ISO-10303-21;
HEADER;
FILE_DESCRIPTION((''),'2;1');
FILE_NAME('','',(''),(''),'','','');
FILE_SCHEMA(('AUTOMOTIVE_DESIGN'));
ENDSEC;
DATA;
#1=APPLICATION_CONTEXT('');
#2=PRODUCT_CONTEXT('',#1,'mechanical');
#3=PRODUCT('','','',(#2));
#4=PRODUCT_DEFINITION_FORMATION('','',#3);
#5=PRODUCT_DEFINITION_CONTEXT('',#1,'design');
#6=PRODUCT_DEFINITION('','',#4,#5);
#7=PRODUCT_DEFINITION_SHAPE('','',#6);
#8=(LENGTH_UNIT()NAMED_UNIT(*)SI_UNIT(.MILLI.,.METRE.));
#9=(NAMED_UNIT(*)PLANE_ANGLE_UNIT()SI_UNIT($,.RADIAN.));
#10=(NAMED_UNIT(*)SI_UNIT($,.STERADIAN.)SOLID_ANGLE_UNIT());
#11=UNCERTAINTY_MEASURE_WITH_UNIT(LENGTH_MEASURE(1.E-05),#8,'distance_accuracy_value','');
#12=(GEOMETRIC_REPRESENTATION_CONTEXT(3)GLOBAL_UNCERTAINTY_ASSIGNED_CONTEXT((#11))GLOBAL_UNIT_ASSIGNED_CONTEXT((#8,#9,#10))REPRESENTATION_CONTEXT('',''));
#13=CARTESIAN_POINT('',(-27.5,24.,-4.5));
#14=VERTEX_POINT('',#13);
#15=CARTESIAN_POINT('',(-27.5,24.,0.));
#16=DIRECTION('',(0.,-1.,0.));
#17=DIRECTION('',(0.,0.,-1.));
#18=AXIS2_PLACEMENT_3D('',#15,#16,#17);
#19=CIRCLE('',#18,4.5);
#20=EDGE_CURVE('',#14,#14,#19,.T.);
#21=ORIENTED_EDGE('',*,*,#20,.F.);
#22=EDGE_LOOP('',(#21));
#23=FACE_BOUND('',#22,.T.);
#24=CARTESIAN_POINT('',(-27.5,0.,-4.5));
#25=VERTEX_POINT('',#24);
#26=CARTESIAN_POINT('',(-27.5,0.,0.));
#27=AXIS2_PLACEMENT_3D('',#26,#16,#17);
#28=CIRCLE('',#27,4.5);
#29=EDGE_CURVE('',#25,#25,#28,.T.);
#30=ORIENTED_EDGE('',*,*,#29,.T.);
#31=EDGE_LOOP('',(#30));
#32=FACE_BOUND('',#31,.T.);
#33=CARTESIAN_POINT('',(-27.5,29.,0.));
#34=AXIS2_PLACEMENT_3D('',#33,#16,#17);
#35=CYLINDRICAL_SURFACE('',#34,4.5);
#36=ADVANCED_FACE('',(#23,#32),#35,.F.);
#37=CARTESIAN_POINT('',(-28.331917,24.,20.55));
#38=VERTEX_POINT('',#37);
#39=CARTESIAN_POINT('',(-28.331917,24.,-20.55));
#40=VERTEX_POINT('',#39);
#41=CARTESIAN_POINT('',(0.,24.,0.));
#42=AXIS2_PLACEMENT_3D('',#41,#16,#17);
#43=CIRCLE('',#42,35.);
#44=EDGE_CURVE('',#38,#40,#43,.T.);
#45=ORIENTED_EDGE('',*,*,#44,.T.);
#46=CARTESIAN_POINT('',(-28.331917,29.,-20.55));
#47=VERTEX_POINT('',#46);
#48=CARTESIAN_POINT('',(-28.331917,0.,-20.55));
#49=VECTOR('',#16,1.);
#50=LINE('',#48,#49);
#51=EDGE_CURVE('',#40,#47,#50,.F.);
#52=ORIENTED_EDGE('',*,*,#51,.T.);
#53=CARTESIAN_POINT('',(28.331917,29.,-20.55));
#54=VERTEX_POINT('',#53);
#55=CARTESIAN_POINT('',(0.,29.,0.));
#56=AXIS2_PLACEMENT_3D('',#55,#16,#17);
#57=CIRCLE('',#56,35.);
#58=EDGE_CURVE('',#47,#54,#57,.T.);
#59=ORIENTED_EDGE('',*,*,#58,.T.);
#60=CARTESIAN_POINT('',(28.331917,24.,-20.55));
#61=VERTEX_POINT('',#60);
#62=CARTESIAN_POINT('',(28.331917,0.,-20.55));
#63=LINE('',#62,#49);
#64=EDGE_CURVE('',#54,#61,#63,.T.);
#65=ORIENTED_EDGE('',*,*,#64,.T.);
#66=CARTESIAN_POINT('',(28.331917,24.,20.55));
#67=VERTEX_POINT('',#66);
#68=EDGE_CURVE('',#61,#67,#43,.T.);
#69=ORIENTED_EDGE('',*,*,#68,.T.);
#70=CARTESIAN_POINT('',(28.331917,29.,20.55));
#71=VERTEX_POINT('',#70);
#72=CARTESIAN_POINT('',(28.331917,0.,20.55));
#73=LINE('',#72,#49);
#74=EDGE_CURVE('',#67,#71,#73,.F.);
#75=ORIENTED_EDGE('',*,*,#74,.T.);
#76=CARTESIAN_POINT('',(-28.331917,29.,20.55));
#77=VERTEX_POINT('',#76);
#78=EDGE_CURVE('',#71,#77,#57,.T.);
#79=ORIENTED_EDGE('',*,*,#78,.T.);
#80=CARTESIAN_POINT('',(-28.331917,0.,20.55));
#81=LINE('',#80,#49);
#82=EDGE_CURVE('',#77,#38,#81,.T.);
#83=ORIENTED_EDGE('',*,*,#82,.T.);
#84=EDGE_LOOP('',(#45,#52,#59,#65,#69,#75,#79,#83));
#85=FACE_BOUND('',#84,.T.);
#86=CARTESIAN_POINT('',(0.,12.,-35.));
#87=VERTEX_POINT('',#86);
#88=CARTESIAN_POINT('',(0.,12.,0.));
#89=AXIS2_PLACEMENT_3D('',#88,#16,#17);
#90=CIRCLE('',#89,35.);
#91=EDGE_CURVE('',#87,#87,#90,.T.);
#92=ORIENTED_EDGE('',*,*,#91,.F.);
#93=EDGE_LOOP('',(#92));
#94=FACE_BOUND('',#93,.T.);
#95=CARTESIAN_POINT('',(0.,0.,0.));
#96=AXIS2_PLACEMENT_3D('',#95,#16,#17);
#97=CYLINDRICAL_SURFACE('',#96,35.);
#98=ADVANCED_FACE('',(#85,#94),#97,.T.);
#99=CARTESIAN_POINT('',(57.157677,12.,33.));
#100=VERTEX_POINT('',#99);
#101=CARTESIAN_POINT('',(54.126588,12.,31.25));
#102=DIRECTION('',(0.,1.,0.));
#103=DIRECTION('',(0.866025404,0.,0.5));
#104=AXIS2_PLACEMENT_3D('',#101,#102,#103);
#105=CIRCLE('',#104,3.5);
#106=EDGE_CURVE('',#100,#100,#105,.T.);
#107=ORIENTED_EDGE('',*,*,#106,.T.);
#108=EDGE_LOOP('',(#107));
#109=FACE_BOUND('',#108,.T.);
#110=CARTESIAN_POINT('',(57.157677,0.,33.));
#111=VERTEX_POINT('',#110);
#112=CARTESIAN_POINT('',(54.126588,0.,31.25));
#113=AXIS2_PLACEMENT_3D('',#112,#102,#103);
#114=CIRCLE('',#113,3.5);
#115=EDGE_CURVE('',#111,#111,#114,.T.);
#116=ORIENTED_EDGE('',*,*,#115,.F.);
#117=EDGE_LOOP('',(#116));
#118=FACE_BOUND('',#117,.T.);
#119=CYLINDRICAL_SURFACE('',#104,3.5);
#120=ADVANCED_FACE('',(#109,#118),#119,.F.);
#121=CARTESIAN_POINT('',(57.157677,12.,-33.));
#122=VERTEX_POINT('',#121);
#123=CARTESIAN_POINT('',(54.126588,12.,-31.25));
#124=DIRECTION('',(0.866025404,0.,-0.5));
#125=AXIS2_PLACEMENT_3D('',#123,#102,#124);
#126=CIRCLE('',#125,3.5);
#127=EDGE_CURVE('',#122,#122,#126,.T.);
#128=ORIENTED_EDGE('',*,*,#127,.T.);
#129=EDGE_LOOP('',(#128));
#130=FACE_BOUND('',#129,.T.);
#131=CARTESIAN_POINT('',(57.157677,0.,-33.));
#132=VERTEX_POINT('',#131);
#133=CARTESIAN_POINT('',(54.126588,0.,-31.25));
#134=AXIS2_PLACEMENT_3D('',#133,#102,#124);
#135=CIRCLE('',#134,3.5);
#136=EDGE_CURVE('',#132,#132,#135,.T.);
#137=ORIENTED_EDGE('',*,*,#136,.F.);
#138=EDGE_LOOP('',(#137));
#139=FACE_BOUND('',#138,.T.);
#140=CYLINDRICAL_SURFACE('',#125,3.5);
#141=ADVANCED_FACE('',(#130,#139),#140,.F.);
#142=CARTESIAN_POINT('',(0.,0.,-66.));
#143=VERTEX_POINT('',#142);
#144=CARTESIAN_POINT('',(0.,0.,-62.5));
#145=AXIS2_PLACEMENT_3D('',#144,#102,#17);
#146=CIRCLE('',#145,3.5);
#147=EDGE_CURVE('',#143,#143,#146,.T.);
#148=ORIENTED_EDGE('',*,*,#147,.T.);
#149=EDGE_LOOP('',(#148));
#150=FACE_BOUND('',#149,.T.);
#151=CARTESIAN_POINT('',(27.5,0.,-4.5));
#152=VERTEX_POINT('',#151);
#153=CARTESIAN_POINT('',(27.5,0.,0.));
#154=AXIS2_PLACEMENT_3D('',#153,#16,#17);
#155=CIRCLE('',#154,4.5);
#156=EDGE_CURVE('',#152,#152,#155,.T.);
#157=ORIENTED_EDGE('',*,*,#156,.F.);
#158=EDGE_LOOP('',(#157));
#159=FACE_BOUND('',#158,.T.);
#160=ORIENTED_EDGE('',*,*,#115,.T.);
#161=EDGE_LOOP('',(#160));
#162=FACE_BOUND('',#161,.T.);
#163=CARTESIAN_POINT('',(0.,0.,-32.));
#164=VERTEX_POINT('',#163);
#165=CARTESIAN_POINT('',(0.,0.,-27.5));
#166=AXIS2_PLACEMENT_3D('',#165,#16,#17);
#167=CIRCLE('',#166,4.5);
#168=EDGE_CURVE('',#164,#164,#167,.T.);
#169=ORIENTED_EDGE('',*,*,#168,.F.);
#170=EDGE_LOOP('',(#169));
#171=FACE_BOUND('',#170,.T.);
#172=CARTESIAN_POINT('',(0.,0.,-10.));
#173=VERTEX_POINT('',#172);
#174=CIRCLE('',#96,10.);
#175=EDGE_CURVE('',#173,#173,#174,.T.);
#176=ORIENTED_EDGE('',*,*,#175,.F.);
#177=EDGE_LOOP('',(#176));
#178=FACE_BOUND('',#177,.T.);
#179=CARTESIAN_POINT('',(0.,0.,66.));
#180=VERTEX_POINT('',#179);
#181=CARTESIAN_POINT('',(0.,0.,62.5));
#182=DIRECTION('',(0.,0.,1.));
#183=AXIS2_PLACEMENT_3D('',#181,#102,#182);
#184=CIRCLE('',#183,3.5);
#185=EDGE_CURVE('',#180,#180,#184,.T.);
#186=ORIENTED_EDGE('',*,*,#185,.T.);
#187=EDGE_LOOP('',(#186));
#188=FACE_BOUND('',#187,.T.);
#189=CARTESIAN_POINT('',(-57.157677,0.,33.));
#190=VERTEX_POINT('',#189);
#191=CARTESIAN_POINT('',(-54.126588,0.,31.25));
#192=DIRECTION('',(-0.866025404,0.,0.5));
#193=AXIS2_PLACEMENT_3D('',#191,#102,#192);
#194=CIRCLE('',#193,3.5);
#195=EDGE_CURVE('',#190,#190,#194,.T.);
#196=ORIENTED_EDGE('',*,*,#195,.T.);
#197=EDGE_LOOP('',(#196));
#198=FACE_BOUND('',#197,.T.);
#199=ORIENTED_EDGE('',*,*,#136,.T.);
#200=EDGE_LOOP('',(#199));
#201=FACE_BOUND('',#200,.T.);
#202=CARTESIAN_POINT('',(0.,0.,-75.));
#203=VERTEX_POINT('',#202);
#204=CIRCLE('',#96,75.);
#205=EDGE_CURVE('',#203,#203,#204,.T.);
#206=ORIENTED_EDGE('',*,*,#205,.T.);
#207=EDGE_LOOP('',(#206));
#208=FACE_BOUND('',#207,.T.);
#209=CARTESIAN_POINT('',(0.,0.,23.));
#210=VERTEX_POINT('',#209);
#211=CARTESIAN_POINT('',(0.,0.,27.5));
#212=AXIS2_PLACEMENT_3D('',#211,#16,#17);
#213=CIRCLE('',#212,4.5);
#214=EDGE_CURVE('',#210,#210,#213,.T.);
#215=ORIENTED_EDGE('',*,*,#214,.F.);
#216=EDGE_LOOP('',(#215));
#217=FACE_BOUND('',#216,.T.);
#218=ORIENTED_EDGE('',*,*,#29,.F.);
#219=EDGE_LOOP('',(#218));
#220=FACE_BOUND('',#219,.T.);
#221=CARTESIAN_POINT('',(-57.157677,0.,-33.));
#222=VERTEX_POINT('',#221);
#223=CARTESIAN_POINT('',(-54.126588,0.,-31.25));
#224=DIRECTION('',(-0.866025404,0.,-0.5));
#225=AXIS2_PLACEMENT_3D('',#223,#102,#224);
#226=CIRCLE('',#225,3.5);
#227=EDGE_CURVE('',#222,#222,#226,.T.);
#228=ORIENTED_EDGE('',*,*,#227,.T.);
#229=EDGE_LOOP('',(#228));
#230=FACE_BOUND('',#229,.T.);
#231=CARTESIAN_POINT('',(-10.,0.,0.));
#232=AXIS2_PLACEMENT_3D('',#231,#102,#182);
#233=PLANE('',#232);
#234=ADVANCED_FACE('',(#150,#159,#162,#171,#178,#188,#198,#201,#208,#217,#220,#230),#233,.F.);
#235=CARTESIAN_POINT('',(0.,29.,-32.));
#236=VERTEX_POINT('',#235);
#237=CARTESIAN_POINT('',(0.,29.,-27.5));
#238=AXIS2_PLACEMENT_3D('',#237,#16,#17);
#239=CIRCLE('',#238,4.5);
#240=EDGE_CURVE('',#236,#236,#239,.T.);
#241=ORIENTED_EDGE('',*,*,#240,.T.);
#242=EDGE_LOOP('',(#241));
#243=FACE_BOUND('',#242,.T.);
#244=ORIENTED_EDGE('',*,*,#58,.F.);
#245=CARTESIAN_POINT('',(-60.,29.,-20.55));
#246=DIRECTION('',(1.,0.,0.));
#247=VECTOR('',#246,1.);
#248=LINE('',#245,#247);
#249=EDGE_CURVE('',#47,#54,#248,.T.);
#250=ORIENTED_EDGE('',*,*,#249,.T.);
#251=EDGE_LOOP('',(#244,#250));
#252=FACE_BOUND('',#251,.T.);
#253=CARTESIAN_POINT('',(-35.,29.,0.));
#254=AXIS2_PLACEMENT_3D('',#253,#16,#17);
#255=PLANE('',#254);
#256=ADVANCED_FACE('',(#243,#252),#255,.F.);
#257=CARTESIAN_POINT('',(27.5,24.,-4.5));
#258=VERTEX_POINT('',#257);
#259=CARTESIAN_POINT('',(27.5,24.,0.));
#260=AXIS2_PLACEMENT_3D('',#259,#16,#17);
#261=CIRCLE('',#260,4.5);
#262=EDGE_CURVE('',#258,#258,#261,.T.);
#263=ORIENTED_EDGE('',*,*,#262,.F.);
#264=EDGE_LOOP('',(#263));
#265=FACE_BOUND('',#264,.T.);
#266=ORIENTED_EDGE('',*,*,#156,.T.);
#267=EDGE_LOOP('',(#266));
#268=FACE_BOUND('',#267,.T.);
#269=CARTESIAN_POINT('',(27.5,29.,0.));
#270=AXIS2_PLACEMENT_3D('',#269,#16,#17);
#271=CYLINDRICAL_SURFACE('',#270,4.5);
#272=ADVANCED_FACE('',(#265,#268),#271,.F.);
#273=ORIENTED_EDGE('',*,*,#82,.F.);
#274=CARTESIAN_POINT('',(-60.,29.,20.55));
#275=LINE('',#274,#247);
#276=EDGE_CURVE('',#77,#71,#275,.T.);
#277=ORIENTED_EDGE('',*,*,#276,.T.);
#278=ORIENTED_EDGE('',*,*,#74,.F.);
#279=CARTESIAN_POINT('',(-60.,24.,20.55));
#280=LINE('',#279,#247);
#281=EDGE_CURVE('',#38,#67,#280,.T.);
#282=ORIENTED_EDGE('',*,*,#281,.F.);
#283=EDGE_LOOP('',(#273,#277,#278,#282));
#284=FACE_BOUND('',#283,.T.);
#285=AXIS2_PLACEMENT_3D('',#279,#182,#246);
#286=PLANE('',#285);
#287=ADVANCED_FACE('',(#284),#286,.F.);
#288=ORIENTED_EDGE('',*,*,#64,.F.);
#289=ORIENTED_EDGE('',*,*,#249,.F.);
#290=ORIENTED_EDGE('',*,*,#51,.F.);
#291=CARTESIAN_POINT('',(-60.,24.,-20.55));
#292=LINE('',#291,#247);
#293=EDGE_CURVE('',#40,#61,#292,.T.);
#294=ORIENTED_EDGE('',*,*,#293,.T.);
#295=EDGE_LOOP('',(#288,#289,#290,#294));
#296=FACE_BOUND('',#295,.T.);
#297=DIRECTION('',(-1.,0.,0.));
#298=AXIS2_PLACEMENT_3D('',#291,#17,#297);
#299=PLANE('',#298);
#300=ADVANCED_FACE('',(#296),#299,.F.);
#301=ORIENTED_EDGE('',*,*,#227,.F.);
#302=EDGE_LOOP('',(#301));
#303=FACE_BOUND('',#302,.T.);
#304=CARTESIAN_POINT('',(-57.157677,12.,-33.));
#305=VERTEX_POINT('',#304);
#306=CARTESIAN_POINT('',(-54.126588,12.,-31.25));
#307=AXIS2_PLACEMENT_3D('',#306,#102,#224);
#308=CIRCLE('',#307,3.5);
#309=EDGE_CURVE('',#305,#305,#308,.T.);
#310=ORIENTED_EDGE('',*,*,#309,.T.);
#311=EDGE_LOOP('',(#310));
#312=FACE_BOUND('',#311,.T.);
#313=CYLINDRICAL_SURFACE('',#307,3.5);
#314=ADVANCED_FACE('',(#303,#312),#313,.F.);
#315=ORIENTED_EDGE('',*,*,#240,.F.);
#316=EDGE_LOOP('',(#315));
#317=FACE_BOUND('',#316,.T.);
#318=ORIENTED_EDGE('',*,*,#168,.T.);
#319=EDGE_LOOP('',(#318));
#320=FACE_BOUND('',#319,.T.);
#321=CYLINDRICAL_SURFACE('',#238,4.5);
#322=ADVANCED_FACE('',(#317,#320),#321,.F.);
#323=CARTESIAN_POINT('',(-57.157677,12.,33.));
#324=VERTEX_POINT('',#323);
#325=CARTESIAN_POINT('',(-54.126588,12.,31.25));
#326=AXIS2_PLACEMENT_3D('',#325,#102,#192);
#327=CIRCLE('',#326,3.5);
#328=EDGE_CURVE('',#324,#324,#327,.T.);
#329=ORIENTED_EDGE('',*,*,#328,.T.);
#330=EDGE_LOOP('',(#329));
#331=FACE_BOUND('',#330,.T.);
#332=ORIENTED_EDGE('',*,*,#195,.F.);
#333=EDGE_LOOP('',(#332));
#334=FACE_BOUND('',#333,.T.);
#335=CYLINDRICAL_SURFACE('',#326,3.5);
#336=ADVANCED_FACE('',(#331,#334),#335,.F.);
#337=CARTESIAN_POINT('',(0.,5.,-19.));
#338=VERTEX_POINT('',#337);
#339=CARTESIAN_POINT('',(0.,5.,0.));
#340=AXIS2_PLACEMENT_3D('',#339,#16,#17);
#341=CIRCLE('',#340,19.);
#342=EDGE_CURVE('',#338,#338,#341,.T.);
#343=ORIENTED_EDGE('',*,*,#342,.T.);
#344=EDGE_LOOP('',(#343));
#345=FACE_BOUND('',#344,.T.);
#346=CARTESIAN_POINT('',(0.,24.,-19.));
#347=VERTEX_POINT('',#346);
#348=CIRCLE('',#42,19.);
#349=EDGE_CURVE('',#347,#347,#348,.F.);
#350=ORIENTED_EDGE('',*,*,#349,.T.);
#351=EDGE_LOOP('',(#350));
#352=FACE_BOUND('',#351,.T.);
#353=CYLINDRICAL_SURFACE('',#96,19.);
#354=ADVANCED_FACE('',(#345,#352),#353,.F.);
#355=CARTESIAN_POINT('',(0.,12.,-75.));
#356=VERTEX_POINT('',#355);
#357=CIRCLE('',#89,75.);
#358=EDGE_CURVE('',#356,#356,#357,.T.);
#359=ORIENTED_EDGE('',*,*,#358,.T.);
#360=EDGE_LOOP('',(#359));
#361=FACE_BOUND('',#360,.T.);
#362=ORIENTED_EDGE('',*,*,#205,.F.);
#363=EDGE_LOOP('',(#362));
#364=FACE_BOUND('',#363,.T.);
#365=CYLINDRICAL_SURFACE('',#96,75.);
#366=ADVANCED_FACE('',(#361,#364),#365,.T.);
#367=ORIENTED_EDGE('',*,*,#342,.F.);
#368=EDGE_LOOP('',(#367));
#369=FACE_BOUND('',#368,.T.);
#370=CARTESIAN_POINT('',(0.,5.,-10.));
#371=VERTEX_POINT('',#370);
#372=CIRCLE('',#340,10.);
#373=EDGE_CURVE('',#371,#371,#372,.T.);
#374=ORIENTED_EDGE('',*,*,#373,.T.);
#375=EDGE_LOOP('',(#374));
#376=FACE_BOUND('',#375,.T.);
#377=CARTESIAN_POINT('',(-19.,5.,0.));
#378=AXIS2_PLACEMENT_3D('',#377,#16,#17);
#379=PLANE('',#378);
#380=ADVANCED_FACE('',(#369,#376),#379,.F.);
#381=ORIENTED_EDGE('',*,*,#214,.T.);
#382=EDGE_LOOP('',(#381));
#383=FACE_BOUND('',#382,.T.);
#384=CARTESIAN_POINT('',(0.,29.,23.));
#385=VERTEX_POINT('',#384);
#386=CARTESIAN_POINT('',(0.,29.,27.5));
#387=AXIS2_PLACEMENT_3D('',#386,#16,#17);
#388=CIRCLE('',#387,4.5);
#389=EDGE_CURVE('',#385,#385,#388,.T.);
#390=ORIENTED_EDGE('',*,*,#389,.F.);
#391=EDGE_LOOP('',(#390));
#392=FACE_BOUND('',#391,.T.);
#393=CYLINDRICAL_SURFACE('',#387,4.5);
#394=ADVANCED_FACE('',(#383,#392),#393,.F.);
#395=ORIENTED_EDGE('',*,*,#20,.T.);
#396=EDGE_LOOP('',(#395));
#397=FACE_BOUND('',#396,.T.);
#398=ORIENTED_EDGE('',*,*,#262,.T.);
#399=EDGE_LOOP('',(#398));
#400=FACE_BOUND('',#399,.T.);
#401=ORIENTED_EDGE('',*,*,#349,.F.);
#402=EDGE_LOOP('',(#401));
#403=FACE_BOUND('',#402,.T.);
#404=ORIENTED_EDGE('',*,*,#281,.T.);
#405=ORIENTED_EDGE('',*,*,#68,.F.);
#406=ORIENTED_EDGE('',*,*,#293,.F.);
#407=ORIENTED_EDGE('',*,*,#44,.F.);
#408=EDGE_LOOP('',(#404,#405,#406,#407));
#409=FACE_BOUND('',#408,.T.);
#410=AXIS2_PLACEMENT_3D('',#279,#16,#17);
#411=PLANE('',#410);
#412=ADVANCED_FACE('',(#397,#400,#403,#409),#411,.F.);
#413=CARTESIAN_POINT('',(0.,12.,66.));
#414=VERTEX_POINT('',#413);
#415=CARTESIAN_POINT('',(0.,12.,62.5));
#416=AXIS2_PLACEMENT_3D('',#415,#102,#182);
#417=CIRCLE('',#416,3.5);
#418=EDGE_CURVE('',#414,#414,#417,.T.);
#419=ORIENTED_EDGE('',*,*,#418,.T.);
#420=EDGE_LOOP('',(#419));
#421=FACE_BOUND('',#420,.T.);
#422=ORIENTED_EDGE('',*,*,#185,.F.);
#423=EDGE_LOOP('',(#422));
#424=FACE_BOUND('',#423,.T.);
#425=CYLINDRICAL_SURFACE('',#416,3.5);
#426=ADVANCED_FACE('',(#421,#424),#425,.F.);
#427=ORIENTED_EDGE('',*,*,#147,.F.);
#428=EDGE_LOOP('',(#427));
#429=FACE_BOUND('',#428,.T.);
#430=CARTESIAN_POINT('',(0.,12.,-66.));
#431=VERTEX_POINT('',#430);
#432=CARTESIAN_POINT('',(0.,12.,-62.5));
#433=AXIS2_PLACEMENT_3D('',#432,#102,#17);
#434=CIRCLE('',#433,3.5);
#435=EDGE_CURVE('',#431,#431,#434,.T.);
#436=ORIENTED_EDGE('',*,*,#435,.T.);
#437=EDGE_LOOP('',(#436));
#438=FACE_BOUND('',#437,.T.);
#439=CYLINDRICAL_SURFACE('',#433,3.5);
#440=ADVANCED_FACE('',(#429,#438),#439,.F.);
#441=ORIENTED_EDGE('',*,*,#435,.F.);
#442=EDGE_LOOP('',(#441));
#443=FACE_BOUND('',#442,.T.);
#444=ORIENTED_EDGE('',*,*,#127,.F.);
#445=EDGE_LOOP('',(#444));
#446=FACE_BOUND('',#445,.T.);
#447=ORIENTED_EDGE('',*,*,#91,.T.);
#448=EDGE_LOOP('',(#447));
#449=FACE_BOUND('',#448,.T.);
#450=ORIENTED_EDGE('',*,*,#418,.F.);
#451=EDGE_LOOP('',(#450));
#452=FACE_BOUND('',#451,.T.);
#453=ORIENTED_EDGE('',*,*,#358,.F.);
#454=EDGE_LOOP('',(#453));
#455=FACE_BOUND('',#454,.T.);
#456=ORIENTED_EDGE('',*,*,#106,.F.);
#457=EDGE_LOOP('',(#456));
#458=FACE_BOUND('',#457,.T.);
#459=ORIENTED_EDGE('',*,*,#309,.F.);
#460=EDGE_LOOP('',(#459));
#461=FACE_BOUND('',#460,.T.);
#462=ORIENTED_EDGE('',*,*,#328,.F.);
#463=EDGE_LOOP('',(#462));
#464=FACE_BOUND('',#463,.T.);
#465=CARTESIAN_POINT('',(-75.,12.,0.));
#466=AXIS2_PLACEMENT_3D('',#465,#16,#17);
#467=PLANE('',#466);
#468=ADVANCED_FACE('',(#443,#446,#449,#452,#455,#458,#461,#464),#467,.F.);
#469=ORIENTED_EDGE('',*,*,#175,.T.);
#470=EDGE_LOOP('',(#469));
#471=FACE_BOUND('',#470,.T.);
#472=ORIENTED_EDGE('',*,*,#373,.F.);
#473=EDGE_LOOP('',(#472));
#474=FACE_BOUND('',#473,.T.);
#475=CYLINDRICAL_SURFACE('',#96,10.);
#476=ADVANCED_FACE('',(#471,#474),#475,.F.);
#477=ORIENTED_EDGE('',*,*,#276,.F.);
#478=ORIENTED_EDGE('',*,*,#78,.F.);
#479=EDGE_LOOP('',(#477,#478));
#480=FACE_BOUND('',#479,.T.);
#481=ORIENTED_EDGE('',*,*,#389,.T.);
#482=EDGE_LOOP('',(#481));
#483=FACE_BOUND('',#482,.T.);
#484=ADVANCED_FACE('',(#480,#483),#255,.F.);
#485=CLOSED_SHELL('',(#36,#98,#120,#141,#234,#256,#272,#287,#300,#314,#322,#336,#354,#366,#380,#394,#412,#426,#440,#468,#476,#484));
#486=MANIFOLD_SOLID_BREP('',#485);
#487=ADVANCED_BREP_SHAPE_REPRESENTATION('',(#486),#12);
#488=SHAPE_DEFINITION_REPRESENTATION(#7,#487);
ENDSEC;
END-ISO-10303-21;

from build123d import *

# Parameters (mm, degrees)
SKETCH3_W         = 41.1
SKETCH3_H         = 5
EXTRUDE2_DEPTH    = 60
SKETCH2_R         = 4.5
EXTRUDE1_DEPTH    = 110.959083299
CIRPATTERN1_COUNT = 6


with BuildPart() as part:
    # Sketch1 → Revolve1 (revolve)
    with BuildSketch(Plane.XY, mode=Mode.PRIVATE) as revolve1_sk:
        Polygon((-10, 0), (-75, 0), (-75, 12), (-35, 12), (-35, 29), (-19, 29), (-19, 5), (-10, 5), align=None)
    revolve(revolve1_sk.sketch.rotate(Axis((0, 0, 0), (0, 1, 0)), 270), axis=Axis((0, 0, 0), (0, 1, 0)))

    # Sketch3 → Extrude2 (cut, symmetric)
    with BuildSketch(Plane(origin=(0, 0, 0), x_dir=(0, 0, -1), z_dir=(1, 0, 0))):
        with Locations((0, 26.5)):
            Rectangle(SKETCH3_W, SKETCH3_H)
    extrude(amount=EXTRUDE2_DEPTH, both=True, mode=Mode.SUBTRACT)

    # Sketch2 → Extrude1 (cut, through all)
    with BuildSketch(Plane.XZ):
        with Locations(Location((-27.5, 0, 0), (0, 0, 270))):
            Circle(SKETCH2_R)
        with Locations(Location((0, -27.5, 0), (0, 0, 270))):
            Circle(SKETCH2_R)
        with Locations(Location((0, 27.5, 0), (0, 0, 270))):
            Circle(SKETCH2_R)
        with Locations(Location((27.5, 0, 0), (0, 0, 270))):
            Circle(SKETCH2_R)
    extrude(amount=-EXTRUDE1_DEPTH, mode=Mode.SUBTRACT)

    # Sketch4 → M8x1.0 Tapped Hole1 (revolve, cut)
    with BuildSketch(Plane(origin=(0, 12, 62.5), x_dir=(0, 0, 1), z_dir=(1, 0, 0))):
        Polygon((0, 0), (0, 23.103012167), (3.5, 21), (3.5, 0), align=None)
    m8x1_0_tapped_hole1 = revolve(axis=Axis((0, 18.35, 62.5), (0, -1, 0)), mode=Mode.SUBTRACT)

    # CirPattern1: M8x1.0 Tapped Hole1 ×6 about axis
    cirpattern1_axis = Axis((0, 0, 0), (0, 1, 0))
    for i in range(1, CIRPATTERN1_COUNT):
        add(m8x1_0_tapped_hole1.rotate(cirpattern1_axis, i * 360 / CIRPATTERN1_COUNT), mode=Mode.SUBTRACT)


solid = part.part
